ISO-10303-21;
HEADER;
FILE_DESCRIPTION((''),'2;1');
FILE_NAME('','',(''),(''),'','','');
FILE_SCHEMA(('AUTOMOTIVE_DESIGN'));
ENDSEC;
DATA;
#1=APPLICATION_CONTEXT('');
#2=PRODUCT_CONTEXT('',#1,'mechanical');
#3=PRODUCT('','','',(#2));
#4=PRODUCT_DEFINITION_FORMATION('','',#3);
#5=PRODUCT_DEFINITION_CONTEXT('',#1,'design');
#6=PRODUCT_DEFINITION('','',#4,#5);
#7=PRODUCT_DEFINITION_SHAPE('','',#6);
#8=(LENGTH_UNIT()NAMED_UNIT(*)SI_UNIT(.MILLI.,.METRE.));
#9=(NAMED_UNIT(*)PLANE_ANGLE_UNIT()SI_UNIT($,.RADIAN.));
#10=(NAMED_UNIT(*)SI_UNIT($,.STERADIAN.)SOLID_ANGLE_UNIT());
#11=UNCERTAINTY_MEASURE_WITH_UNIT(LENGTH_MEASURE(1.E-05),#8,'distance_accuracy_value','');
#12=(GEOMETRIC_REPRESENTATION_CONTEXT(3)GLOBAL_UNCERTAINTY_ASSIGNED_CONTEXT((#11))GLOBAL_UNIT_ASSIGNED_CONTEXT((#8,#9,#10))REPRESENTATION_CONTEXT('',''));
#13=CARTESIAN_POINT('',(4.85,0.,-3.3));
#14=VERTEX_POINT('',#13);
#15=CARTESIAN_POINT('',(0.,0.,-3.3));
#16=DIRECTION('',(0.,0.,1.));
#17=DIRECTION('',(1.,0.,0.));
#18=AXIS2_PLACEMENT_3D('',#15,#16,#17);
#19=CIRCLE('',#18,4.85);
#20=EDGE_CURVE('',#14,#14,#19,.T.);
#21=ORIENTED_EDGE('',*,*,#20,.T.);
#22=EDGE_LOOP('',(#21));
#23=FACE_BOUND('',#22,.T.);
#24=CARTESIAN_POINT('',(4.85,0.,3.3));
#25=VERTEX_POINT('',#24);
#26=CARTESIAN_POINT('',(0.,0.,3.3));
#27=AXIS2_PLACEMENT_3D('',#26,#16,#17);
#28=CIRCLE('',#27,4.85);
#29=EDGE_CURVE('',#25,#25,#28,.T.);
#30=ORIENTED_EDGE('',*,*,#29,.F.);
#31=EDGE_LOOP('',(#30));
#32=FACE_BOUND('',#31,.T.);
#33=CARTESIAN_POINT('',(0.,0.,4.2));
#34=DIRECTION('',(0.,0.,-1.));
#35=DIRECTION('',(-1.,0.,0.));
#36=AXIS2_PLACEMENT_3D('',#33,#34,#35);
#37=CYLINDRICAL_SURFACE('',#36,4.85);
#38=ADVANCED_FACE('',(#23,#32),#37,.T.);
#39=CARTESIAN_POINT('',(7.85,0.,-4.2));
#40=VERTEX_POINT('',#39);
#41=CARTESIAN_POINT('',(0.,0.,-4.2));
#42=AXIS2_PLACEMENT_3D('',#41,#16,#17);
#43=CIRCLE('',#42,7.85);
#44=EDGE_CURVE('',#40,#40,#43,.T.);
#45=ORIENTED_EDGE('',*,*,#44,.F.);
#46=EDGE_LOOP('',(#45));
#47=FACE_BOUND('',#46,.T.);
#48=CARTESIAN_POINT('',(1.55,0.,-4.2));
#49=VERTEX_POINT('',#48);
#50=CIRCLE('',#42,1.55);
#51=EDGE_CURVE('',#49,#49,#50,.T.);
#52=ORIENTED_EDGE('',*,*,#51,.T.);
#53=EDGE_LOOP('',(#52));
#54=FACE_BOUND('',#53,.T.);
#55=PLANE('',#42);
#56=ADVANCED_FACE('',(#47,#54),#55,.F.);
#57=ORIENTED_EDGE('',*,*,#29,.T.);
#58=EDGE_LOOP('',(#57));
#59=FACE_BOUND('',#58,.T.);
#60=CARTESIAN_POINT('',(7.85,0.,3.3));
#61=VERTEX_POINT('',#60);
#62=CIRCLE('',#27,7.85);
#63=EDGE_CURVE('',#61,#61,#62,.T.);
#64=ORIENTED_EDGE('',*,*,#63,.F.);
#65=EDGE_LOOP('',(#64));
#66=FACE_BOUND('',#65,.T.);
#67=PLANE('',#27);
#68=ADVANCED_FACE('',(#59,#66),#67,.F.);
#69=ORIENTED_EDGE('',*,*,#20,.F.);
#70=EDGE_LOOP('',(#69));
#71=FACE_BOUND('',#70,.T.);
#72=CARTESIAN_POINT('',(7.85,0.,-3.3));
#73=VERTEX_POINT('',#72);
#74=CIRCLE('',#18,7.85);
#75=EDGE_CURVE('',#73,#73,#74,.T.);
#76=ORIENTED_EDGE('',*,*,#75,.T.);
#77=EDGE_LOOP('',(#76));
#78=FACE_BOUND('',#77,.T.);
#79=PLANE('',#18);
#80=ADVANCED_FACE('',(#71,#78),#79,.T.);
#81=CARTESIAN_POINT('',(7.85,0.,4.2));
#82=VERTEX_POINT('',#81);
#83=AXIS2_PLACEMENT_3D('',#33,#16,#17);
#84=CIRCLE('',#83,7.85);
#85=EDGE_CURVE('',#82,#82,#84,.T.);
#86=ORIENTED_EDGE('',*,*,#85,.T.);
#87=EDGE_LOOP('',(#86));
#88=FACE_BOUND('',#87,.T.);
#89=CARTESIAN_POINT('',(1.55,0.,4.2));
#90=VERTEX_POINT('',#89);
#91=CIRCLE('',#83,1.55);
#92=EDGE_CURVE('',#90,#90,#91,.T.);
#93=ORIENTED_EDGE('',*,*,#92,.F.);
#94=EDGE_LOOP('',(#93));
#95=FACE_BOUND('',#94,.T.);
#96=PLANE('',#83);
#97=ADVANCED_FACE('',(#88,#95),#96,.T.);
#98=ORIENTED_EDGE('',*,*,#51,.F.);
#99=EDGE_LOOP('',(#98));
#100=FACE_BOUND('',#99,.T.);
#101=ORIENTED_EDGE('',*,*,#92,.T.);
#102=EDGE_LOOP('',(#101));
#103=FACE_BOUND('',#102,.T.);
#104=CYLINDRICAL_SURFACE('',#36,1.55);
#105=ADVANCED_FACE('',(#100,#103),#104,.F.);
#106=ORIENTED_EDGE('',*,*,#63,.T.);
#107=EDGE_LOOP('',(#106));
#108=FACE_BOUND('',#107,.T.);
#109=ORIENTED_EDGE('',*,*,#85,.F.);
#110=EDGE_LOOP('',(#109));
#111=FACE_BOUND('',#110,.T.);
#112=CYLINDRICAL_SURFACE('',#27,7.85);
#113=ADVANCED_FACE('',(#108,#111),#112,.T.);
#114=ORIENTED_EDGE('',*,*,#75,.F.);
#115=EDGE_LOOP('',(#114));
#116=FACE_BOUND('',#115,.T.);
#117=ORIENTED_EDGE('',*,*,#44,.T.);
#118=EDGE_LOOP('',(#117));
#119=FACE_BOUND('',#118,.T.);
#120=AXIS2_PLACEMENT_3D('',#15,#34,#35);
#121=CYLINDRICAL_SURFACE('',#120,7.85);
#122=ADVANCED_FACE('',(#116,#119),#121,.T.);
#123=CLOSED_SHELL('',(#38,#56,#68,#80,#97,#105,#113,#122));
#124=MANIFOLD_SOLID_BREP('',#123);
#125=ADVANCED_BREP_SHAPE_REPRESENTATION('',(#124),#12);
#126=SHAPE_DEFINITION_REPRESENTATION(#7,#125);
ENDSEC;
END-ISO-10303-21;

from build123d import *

# Parameters (mm, degrees)
SKETCH1_R           = 4.85
SKETCH1_R_2         = 1.55
BOSS_EXTRUDE1_DEPTH = 4.2
BOSS_EXTRUDE2_START = 4.2
SKETCH1_3_R         = 7.85
SKETCH1_3_R_2       = 4.85
BOSS_EXTRUDE2_DEPTH = 0.9
BOSS_EXTRUDE3_START = -4.2
SKETCH1_4_R         = 7.85
SKETCH1_4_R_2       = 4.85
BOSS_EXTRUDE3_DEPTH = 0.9


with BuildPart() as part:
    # Sketch1 → Boss-Extrude1 (new body, symmetric)
    with BuildSketch(Plane.XY):
        Circle(SKETCH1_R)
        Circle(SKETCH1_R_2, mode=Mode.SUBTRACT)
    extrude(amount=BOSS_EXTRUDE1_DEPTH, both=True)

    # Sketch1<3> → Boss-Extrude2 (add)
    with BuildSketch(Plane.XY.offset(BOSS_EXTRUDE2_START)):
        Circle(SKETCH1_3_R)
        Circle(SKETCH1_3_R_2, mode=Mode.SUBTRACT)
    extrude(amount=-BOSS_EXTRUDE2_DEPTH)

    # Sketch1<4> → Boss-Extrude3 (add)
    with BuildSketch(Plane.XY.offset(BOSS_EXTRUDE3_START)):
        Circle(SKETCH1_4_R)
        Circle(SKETCH1_4_R_2, mode=Mode.SUBTRACT)
    extrude(amount=BOSS_EXTRUDE3_DEPTH)


solid = part.part
